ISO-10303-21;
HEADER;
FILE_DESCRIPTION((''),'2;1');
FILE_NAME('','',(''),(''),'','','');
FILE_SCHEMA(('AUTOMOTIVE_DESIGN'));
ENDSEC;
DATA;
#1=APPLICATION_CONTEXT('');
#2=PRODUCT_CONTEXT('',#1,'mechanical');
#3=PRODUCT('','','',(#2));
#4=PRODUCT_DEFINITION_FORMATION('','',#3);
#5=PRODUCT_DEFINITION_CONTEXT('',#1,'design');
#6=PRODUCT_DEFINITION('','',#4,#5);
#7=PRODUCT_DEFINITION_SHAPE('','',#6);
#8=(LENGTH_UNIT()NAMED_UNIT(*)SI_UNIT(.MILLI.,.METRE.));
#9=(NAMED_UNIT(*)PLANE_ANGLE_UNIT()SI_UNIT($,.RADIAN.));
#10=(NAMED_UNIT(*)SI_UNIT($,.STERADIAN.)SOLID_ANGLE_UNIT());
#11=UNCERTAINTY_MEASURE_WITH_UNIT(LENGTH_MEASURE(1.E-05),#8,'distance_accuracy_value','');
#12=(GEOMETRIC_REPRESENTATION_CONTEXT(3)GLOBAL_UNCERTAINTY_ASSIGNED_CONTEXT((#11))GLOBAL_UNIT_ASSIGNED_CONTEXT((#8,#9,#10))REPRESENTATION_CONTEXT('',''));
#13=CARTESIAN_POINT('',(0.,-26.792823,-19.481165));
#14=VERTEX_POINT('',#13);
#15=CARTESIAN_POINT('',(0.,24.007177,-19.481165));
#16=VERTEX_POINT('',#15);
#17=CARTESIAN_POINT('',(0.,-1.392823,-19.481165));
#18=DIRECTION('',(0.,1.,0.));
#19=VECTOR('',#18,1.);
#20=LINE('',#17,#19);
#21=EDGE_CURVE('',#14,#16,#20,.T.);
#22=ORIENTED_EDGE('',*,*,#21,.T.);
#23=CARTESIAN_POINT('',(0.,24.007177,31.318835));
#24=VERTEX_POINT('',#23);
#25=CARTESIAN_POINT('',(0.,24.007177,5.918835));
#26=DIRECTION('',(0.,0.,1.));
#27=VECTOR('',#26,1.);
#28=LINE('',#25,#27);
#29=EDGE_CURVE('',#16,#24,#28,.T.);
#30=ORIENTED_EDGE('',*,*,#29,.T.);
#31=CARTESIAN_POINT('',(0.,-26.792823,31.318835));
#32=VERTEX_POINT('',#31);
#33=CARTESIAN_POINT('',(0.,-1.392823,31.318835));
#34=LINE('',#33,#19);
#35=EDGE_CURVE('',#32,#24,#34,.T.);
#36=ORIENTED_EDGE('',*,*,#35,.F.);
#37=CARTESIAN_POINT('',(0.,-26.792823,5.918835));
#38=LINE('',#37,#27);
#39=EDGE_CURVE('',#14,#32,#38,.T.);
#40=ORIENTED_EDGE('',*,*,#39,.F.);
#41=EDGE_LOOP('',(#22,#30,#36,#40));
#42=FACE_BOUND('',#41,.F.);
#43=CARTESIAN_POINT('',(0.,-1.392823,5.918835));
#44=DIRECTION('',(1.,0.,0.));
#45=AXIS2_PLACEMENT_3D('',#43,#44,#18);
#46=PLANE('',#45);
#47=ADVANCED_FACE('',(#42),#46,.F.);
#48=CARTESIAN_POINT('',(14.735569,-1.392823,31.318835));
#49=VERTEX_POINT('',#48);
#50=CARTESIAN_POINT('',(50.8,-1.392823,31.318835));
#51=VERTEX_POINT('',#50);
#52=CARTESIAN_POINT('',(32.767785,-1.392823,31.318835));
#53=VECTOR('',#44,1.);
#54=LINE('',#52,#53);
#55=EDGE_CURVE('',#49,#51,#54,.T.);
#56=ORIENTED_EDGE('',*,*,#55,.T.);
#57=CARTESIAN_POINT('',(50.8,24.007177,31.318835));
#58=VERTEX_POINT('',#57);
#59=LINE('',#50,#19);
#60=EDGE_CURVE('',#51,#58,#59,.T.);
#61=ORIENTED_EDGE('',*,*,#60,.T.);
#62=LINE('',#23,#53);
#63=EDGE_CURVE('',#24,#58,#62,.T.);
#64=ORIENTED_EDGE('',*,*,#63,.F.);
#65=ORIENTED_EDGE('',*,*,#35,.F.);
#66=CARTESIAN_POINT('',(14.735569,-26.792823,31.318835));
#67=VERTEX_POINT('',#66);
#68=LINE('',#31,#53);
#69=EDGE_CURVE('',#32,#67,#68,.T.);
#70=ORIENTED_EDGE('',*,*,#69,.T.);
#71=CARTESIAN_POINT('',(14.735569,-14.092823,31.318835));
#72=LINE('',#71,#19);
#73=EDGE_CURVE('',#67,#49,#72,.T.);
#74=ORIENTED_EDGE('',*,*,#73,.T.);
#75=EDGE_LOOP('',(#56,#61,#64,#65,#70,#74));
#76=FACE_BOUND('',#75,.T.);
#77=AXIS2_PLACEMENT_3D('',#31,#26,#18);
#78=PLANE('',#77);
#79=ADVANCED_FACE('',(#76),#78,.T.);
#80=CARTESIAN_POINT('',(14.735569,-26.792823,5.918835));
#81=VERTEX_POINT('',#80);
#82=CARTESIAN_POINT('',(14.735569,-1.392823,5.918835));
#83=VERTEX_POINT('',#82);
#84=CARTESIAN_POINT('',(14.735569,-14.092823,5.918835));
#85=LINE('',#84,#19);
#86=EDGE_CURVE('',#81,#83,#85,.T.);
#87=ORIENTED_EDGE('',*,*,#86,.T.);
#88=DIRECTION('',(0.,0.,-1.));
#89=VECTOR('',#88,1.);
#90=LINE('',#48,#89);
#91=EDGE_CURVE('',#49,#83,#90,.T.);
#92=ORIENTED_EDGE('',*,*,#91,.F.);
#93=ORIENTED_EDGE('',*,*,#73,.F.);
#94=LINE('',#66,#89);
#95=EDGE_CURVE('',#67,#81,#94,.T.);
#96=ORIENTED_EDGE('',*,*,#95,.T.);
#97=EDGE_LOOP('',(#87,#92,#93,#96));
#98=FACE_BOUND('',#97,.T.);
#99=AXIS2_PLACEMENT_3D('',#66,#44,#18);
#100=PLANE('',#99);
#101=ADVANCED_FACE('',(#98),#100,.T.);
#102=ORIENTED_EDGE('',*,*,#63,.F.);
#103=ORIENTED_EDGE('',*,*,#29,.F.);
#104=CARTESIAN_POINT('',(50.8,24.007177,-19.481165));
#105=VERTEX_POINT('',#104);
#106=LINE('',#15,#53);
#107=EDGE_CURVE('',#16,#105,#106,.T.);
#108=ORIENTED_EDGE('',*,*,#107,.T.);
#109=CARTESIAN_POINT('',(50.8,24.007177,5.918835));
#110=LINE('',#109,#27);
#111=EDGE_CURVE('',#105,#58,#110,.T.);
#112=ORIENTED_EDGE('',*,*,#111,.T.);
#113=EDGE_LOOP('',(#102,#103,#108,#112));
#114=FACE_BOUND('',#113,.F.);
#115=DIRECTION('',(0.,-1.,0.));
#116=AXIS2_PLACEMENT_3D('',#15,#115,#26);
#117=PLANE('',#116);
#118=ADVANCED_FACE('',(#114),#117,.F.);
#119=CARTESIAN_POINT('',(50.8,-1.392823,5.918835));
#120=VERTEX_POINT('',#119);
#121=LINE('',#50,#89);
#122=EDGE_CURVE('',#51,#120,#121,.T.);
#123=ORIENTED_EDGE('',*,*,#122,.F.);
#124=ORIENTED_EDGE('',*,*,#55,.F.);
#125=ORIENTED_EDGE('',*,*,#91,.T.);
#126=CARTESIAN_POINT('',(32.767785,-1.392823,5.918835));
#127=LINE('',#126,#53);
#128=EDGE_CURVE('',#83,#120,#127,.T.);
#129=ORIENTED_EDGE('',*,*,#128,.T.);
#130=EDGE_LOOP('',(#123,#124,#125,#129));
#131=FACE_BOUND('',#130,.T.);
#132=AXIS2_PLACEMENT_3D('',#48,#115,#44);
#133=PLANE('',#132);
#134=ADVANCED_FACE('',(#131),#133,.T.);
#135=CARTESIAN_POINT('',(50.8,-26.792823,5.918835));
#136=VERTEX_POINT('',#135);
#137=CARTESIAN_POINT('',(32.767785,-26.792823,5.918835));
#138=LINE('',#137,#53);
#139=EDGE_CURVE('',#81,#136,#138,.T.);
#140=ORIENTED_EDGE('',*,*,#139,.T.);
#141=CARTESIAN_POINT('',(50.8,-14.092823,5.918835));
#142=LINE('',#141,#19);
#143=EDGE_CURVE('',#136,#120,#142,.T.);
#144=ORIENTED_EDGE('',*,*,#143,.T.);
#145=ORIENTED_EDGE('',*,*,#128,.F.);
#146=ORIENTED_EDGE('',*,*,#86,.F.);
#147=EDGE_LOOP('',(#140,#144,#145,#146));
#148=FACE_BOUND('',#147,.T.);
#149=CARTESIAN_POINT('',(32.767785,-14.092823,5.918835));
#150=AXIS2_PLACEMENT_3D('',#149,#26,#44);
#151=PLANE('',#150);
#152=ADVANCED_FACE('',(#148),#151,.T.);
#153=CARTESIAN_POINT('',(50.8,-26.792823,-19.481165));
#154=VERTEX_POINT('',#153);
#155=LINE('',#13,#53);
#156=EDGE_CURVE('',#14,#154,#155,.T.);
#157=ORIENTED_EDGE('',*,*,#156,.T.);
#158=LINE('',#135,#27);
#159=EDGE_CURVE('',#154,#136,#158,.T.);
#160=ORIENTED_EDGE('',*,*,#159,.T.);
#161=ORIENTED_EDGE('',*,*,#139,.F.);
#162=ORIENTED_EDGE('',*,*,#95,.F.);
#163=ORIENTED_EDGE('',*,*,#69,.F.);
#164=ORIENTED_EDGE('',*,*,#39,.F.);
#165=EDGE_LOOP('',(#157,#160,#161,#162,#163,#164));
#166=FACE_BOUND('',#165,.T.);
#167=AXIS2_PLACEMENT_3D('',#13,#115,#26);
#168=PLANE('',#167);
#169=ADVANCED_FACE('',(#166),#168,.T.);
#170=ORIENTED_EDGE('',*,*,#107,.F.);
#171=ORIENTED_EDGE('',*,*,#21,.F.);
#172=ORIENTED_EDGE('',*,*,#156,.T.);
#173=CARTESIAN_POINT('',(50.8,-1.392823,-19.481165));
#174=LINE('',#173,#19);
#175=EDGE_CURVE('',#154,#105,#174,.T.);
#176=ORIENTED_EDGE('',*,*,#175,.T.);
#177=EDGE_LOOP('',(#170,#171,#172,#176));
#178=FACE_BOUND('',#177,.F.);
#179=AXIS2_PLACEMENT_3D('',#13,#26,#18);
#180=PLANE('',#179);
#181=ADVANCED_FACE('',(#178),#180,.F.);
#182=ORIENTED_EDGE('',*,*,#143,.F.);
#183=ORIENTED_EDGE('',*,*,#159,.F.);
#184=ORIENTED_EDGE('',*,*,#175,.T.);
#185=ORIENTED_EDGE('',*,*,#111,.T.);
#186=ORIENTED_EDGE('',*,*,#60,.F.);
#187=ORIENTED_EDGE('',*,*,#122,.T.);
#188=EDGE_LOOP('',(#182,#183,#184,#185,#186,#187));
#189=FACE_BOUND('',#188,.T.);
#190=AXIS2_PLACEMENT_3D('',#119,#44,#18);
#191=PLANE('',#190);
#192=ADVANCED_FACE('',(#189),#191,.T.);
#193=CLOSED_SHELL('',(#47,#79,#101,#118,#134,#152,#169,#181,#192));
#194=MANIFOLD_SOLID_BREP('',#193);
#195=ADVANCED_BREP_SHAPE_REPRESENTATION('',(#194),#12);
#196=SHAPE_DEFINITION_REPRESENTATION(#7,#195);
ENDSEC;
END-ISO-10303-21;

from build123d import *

# Parameters (mm, degrees)
F0_W     = 50.8
F0_H     = 50.8
F1_DEPTH = 50.8
F2_W     = 36.0644307539
F2_H     = 25.4
F3_DEPTH = 25.4


with BuildPart() as f1:
    # F0 (on Right) → F1 (new body)
    with BuildSketch(Plane.YZ):
        with Locations((-1.3928227127, 5.918835211)):
            Rectangle(F0_W, F0_H)
    extrude(amount=F1_DEPTH)

    # F2 (on face) → F3 (cut)
    with BuildSketch(Plane.XY.offset(31.318835211)):
        with Locations((32.7677846231, -14.0928227127)):
            Rectangle(F2_W, F2_H)
    extrude(amount=-F3_DEPTH, mode=Mode.SUBTRACT)


solid = f1.part
